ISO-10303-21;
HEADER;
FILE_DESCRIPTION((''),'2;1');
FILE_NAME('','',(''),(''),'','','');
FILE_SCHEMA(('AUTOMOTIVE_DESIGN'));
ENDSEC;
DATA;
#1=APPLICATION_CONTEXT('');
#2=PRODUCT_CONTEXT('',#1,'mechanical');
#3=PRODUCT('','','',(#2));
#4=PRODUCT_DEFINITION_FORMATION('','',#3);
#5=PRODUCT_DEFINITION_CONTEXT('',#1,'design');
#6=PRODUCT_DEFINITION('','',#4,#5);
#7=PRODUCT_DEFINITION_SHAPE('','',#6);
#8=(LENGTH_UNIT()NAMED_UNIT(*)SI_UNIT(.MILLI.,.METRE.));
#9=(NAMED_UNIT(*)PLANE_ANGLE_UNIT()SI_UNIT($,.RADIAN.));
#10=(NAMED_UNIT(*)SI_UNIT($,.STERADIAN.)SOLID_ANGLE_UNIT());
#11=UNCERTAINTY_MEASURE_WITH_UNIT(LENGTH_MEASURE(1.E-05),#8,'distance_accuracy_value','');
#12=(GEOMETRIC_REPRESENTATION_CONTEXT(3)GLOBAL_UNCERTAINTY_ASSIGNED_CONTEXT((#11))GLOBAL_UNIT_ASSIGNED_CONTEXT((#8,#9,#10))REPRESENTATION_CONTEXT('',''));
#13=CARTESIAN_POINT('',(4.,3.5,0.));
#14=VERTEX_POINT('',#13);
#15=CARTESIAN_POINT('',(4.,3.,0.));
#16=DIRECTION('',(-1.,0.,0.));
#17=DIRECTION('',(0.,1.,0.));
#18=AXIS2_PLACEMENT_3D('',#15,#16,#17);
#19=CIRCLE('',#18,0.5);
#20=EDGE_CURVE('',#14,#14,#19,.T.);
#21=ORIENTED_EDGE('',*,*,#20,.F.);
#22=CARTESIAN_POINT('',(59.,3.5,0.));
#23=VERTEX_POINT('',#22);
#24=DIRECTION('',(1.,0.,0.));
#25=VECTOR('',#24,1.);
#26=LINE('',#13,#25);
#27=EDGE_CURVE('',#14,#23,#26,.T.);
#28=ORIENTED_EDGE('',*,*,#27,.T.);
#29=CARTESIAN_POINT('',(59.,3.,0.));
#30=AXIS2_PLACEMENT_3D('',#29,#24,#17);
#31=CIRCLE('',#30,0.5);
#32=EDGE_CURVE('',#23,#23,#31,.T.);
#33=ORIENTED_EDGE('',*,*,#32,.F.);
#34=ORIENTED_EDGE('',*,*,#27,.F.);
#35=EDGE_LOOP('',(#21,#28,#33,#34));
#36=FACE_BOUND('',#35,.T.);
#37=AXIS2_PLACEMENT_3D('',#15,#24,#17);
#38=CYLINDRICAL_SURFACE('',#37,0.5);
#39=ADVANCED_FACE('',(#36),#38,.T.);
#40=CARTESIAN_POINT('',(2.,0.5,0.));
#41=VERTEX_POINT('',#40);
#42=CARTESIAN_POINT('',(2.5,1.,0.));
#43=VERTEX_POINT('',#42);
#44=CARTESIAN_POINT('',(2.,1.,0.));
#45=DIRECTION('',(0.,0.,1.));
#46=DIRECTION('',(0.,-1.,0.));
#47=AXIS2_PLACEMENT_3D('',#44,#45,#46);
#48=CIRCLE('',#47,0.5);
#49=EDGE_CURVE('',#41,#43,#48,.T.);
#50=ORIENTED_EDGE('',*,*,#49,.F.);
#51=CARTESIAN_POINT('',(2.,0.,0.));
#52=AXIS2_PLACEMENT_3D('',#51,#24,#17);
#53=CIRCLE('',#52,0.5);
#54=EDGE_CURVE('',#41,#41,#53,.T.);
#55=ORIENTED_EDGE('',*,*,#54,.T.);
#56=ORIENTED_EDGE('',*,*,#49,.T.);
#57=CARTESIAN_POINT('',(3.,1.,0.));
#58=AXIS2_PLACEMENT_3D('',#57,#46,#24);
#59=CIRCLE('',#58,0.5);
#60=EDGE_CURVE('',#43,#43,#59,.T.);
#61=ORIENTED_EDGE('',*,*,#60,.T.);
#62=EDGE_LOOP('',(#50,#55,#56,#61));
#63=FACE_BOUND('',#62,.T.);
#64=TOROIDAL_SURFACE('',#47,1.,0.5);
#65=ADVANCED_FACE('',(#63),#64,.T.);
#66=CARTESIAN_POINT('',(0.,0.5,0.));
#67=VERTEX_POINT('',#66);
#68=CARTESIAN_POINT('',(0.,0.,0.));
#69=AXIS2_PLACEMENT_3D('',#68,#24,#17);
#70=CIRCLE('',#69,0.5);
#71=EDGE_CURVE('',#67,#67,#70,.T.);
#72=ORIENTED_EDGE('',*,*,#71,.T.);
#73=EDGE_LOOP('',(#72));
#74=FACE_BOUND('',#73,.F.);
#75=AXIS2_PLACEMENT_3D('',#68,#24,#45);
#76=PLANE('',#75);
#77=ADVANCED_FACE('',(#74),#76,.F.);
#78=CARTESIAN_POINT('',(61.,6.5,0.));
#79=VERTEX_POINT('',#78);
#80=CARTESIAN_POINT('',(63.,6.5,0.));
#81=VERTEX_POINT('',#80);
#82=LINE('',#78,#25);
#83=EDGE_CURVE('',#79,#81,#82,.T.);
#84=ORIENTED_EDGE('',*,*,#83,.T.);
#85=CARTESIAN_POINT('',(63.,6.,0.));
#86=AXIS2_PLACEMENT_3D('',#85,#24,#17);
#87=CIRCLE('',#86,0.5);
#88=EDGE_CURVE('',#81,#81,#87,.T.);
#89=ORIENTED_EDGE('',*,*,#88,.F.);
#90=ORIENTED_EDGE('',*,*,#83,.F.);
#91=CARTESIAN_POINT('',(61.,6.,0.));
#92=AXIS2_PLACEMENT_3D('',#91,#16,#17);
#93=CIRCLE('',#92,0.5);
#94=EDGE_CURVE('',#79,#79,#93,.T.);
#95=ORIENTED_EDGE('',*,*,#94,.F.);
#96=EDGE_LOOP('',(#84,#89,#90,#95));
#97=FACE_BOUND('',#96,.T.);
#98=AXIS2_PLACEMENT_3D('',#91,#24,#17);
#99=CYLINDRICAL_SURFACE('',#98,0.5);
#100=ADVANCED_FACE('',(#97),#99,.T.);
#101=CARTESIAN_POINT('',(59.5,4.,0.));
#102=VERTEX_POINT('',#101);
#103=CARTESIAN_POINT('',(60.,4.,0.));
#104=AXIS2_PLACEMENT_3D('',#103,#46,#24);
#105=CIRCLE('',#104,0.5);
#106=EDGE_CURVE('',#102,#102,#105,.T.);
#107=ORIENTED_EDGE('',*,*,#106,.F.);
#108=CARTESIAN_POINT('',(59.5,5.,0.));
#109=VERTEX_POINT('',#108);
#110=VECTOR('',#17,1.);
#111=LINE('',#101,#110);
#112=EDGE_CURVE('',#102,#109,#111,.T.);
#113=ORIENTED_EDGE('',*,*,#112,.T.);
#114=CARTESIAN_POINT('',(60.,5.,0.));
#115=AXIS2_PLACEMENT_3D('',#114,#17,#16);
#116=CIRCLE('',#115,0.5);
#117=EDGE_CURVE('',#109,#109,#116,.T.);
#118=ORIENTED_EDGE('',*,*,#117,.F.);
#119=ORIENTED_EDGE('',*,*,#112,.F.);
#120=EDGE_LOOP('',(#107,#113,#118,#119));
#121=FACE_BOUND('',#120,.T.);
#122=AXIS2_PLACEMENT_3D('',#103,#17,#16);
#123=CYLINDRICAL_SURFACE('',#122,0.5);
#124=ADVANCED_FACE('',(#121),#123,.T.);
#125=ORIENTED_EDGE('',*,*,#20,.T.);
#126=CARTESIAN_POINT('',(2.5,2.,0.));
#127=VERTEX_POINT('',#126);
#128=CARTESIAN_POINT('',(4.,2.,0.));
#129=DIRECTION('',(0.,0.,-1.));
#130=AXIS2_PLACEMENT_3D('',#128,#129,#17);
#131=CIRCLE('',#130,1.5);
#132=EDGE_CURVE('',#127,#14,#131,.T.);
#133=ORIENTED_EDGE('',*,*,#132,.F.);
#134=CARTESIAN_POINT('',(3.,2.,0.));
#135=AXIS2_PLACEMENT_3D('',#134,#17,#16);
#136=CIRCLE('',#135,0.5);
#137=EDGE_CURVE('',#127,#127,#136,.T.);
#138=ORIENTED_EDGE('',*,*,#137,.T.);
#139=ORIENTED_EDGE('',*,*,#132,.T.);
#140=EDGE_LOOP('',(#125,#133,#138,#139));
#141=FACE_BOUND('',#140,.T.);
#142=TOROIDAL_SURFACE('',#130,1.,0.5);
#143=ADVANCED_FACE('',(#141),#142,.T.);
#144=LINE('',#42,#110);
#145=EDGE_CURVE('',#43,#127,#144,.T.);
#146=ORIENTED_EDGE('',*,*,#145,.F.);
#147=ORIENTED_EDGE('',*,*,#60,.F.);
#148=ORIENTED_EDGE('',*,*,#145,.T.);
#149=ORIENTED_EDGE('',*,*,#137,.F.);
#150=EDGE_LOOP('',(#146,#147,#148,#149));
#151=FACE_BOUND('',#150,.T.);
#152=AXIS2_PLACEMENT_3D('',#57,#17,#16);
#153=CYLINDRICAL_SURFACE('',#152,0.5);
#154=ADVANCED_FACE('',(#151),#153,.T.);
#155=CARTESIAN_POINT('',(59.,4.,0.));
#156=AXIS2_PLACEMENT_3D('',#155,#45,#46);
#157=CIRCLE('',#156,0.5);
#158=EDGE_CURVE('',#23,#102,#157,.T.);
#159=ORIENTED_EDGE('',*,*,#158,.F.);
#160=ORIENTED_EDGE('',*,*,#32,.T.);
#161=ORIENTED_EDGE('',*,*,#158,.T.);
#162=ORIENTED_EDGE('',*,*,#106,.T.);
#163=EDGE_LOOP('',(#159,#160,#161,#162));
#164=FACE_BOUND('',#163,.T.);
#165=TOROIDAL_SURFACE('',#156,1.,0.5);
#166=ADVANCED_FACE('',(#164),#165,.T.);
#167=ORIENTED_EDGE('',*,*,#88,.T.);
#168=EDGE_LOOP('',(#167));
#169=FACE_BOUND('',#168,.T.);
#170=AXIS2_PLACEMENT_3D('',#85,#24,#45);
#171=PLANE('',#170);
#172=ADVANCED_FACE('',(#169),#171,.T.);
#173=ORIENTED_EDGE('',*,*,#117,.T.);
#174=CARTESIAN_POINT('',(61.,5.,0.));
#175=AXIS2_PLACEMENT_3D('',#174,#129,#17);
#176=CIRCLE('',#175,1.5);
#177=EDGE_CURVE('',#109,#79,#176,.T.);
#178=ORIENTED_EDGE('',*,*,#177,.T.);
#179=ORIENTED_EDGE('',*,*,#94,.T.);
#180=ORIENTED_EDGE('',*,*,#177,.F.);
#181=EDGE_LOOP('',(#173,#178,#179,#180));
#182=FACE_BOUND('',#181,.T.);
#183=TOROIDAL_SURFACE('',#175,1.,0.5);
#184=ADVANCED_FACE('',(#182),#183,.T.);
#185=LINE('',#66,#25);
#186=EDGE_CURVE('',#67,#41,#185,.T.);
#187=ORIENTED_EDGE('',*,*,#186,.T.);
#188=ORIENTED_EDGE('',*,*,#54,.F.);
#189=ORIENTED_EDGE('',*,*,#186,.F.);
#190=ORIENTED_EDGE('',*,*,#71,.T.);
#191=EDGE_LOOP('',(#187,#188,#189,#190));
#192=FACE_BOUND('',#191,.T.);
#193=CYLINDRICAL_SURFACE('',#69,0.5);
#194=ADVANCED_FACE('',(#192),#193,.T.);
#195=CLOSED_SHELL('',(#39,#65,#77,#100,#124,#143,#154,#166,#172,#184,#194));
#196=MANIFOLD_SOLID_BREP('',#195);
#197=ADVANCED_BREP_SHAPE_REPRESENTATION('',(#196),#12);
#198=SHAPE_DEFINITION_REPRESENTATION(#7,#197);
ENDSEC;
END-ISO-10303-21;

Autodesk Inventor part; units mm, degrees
ref_plane "YZ Plane" through (0, 0, 0) normal (1, 0, 0) x (0, 1, 0)
ref_plane "XZ Plane" through (0, 0, 0) normal (0, 1, 0) x (-1, 0, 0)
ref_plane "XY Plane" through (0, 0, 0) normal (0, 0, 1) x (1, 0, 0)
sketch "Skizze1" plane through (0, 0, 0) normal (0, 0, 1) x (1, 0, 0)
  line L0 (0, 0) -> (2, 0)
  line L1 (3, 1) -> (3, 2)
  line L2 (4, 3) -> (59, 3)
  line L3 (60, 4) -> (60, 5)
  line L4 (61, 6) -> (63, 6)
  arc A0 (2, 0) -> (3, 1) centre (2, 1) ccw
  arc A1 (4, 3) -> (3, 2) centre (4, 2) ccw
  arc A2 (59, 3) -> (60, 4) centre (59, 4) ccw
  arc A3 (61, 6) -> (60, 5) centre (61, 5) ccw
  dimension "d0" = 1
  dimension "d4" = 2
  dimension "d5" = 3
  dimension "d6" = 3
  dimension "d7" = 55
  dimension "d8" = 2
sketch "Skizze2" plane through (0, 0, 0) normal (1, 0, 0) x (0, 1, 0)
  circle A0 centre (0, 0) radius 0.5
  dimension "d1" = 1
sweep "Sweeping1" add profiles "Skizze2" path "Skizze1"
properties part number "P_Wing_mid_servolink"
